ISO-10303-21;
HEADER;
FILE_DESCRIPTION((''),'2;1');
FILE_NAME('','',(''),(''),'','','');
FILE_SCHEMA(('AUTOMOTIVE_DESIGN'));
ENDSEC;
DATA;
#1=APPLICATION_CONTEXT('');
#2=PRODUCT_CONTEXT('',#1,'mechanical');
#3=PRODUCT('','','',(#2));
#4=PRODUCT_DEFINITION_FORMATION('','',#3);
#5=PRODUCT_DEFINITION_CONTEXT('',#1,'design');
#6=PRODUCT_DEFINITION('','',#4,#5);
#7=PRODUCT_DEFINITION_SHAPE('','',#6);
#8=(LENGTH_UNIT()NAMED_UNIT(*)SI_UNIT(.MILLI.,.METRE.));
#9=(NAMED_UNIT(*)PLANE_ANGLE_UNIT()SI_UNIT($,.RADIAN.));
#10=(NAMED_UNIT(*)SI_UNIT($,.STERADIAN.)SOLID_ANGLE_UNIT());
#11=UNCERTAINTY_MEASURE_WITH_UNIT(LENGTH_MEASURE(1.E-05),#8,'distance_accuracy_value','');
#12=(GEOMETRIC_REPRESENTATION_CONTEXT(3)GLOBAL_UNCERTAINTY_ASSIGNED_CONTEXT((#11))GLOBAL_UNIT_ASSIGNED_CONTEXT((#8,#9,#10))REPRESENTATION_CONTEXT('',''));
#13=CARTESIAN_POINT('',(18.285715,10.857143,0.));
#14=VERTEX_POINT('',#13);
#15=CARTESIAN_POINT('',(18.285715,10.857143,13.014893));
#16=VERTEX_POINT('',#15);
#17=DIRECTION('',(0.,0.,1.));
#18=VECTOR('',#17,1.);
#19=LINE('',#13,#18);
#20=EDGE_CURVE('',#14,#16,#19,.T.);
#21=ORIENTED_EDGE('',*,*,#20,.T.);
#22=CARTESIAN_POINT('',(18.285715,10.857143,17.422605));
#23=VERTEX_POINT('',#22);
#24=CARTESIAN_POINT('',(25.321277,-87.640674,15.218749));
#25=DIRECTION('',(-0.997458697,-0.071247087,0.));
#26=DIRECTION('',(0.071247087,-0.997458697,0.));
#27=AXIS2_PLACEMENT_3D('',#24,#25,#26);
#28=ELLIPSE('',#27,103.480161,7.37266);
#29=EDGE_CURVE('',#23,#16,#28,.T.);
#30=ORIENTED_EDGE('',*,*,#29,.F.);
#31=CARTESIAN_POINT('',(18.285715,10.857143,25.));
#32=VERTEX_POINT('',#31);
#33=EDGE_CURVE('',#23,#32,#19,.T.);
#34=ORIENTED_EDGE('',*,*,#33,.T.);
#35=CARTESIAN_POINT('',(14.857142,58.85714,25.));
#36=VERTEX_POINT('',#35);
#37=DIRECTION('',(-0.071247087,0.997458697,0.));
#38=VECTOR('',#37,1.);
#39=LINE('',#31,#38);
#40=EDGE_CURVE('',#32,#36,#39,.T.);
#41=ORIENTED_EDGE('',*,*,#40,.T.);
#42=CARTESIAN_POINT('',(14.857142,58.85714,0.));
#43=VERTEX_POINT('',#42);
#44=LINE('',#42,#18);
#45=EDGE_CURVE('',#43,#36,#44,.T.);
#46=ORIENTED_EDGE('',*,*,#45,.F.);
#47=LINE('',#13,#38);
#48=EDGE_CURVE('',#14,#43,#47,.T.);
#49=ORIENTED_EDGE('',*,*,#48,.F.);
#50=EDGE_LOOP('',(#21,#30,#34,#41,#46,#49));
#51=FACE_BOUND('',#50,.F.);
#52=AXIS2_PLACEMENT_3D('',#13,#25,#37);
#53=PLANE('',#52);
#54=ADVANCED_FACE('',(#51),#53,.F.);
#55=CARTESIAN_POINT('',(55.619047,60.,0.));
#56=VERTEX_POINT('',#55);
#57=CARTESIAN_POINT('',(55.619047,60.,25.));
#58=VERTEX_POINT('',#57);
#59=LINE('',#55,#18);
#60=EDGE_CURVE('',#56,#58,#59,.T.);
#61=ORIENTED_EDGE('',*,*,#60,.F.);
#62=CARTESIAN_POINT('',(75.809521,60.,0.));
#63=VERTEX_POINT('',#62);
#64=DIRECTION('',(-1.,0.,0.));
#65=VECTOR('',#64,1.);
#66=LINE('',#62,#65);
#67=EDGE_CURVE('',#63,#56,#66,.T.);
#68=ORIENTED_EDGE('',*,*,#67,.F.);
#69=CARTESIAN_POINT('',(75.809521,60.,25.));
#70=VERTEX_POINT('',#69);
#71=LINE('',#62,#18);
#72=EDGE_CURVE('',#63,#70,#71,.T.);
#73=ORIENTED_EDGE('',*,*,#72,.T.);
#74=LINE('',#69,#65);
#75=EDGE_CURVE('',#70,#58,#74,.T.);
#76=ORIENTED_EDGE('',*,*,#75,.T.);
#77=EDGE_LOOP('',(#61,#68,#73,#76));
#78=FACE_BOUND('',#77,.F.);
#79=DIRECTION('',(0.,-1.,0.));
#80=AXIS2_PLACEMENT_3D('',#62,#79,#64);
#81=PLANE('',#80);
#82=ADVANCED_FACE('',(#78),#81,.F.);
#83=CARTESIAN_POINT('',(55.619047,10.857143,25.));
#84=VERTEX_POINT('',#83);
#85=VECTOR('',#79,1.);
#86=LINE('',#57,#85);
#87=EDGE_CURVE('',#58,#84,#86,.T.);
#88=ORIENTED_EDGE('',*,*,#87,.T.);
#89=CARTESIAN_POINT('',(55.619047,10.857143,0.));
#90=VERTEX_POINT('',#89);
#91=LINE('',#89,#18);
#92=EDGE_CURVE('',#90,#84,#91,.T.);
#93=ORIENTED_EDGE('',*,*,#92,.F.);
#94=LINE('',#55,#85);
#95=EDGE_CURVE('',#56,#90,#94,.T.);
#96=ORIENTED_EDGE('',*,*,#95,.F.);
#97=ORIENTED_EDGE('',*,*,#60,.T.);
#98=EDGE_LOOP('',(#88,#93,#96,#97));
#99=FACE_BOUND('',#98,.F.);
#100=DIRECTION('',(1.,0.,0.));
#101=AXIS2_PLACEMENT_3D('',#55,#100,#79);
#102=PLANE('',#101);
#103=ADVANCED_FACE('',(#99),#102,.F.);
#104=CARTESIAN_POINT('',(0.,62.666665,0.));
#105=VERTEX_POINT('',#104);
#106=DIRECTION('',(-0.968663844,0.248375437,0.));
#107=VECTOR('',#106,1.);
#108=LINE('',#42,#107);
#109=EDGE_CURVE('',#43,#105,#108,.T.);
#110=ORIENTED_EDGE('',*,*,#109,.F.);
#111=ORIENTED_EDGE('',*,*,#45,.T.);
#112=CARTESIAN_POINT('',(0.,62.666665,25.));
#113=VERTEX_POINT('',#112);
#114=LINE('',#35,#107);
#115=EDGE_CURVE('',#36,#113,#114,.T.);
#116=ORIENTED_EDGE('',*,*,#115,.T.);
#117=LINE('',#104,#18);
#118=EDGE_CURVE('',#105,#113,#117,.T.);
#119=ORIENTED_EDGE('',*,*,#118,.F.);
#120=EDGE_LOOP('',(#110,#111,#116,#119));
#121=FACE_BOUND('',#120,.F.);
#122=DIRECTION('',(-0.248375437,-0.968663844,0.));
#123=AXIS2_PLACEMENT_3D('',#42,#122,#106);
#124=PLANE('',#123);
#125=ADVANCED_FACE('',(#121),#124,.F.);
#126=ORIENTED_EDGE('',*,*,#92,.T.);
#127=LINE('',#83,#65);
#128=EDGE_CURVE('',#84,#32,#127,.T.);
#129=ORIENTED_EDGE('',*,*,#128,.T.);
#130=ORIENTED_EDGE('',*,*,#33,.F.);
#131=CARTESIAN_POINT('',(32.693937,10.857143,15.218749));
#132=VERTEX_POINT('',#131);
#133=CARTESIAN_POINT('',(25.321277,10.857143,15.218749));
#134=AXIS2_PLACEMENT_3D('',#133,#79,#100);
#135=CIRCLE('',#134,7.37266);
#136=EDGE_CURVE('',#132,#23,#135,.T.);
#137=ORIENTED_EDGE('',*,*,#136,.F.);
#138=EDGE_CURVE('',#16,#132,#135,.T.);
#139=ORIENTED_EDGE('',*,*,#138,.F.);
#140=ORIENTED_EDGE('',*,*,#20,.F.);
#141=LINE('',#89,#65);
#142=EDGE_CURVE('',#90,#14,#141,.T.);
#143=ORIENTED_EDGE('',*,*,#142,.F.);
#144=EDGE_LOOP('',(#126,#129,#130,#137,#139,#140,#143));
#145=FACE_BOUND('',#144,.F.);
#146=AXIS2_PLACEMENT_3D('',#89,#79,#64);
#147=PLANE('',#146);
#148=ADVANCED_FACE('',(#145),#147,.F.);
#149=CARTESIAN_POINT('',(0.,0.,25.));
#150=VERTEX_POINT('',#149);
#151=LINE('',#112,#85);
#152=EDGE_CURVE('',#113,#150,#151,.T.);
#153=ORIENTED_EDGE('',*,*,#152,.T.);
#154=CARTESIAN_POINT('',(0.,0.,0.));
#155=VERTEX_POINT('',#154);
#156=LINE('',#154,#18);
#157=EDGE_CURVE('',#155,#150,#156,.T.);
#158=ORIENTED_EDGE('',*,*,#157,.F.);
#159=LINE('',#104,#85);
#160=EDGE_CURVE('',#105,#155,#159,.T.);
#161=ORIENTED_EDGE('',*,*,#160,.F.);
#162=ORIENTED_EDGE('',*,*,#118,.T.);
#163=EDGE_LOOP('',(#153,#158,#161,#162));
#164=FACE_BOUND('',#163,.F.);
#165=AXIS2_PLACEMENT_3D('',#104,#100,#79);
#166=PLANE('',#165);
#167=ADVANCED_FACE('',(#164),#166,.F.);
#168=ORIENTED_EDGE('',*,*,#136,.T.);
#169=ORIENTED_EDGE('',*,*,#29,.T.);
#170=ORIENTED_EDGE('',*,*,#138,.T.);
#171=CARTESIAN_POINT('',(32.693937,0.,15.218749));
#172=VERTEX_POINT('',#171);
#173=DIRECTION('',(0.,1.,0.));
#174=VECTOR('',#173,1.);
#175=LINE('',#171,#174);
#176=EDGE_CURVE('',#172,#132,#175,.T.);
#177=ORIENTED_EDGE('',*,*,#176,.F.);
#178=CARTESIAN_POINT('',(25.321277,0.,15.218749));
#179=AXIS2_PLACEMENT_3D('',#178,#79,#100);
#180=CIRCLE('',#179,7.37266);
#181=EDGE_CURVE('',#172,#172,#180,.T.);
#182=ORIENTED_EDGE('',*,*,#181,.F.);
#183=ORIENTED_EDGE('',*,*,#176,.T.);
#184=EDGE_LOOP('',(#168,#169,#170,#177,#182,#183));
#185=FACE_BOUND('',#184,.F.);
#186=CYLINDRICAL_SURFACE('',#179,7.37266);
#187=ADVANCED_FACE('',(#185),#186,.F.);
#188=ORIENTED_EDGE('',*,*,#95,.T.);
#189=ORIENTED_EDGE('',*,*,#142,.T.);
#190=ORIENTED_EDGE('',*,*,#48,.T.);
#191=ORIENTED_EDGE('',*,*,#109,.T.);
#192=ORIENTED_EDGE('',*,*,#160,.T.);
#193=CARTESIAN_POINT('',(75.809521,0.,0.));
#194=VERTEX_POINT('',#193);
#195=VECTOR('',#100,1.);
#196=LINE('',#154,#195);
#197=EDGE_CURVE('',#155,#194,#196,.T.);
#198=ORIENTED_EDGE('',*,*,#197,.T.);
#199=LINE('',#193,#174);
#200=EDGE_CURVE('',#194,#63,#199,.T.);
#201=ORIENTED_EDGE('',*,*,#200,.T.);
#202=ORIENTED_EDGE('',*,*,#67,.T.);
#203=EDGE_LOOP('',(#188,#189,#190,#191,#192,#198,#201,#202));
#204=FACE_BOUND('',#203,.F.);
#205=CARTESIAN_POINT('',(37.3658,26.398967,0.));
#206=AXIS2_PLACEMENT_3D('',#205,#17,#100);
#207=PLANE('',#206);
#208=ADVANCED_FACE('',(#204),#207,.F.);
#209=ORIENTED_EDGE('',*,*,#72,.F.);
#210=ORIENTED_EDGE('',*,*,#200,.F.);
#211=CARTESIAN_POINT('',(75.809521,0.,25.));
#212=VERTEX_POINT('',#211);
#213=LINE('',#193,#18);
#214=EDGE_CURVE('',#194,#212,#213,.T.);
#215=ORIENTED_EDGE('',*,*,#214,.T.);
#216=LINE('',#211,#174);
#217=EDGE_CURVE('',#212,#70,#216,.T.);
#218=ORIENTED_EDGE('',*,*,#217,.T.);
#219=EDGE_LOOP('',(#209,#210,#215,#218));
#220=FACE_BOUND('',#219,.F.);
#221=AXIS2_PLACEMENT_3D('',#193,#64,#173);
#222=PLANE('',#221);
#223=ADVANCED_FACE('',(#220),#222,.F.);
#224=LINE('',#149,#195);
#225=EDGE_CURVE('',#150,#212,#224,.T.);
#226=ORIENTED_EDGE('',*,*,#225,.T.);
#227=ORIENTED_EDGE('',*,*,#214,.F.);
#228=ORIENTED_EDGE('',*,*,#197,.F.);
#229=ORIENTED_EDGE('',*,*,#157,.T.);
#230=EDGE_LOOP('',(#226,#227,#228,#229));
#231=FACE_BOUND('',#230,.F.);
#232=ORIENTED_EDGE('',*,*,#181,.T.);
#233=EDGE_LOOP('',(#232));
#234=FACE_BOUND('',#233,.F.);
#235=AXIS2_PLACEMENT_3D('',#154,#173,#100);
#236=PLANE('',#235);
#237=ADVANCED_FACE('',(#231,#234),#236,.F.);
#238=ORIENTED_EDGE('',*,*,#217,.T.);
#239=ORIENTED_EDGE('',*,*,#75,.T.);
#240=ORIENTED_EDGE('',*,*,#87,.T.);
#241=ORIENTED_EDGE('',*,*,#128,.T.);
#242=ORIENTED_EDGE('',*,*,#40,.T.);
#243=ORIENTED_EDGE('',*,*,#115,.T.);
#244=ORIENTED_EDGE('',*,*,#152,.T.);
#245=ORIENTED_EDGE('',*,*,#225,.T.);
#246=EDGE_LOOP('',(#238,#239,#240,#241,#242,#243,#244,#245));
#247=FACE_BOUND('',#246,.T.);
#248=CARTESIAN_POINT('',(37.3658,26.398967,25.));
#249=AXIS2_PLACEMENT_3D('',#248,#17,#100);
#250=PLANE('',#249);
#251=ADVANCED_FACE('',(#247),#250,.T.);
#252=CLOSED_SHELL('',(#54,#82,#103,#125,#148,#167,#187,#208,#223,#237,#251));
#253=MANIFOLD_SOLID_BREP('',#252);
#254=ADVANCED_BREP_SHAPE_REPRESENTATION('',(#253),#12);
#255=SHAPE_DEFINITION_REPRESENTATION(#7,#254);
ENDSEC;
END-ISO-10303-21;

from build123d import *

# Parameters (mm, degrees)
F1_DEPTH = 25
F2_R     = 7.37266
F3_DEPTH = 25


with BuildPart() as f1:
    # F0 (on Top) → F1 (new body)
    with BuildSketch(Plane.XY):
        Polygon((0, 62.666665), (0, 0), (75.809521, 0), (75.809521, 60), (55.619047, 60), (55.619047, 10.857143), (18.285715, 10.857143), (14.857142, 58.85714), align=None)
    extrude(amount=F1_DEPTH)

    # F2 (on face) → F3 (cut)
    with BuildSketch(Plane.XZ):
        with Locations((25.321277, 15.218749)):
            Circle(F2_R)
    extrude(amount=-F3_DEPTH, mode=Mode.SUBTRACT)


solid = f1.part
